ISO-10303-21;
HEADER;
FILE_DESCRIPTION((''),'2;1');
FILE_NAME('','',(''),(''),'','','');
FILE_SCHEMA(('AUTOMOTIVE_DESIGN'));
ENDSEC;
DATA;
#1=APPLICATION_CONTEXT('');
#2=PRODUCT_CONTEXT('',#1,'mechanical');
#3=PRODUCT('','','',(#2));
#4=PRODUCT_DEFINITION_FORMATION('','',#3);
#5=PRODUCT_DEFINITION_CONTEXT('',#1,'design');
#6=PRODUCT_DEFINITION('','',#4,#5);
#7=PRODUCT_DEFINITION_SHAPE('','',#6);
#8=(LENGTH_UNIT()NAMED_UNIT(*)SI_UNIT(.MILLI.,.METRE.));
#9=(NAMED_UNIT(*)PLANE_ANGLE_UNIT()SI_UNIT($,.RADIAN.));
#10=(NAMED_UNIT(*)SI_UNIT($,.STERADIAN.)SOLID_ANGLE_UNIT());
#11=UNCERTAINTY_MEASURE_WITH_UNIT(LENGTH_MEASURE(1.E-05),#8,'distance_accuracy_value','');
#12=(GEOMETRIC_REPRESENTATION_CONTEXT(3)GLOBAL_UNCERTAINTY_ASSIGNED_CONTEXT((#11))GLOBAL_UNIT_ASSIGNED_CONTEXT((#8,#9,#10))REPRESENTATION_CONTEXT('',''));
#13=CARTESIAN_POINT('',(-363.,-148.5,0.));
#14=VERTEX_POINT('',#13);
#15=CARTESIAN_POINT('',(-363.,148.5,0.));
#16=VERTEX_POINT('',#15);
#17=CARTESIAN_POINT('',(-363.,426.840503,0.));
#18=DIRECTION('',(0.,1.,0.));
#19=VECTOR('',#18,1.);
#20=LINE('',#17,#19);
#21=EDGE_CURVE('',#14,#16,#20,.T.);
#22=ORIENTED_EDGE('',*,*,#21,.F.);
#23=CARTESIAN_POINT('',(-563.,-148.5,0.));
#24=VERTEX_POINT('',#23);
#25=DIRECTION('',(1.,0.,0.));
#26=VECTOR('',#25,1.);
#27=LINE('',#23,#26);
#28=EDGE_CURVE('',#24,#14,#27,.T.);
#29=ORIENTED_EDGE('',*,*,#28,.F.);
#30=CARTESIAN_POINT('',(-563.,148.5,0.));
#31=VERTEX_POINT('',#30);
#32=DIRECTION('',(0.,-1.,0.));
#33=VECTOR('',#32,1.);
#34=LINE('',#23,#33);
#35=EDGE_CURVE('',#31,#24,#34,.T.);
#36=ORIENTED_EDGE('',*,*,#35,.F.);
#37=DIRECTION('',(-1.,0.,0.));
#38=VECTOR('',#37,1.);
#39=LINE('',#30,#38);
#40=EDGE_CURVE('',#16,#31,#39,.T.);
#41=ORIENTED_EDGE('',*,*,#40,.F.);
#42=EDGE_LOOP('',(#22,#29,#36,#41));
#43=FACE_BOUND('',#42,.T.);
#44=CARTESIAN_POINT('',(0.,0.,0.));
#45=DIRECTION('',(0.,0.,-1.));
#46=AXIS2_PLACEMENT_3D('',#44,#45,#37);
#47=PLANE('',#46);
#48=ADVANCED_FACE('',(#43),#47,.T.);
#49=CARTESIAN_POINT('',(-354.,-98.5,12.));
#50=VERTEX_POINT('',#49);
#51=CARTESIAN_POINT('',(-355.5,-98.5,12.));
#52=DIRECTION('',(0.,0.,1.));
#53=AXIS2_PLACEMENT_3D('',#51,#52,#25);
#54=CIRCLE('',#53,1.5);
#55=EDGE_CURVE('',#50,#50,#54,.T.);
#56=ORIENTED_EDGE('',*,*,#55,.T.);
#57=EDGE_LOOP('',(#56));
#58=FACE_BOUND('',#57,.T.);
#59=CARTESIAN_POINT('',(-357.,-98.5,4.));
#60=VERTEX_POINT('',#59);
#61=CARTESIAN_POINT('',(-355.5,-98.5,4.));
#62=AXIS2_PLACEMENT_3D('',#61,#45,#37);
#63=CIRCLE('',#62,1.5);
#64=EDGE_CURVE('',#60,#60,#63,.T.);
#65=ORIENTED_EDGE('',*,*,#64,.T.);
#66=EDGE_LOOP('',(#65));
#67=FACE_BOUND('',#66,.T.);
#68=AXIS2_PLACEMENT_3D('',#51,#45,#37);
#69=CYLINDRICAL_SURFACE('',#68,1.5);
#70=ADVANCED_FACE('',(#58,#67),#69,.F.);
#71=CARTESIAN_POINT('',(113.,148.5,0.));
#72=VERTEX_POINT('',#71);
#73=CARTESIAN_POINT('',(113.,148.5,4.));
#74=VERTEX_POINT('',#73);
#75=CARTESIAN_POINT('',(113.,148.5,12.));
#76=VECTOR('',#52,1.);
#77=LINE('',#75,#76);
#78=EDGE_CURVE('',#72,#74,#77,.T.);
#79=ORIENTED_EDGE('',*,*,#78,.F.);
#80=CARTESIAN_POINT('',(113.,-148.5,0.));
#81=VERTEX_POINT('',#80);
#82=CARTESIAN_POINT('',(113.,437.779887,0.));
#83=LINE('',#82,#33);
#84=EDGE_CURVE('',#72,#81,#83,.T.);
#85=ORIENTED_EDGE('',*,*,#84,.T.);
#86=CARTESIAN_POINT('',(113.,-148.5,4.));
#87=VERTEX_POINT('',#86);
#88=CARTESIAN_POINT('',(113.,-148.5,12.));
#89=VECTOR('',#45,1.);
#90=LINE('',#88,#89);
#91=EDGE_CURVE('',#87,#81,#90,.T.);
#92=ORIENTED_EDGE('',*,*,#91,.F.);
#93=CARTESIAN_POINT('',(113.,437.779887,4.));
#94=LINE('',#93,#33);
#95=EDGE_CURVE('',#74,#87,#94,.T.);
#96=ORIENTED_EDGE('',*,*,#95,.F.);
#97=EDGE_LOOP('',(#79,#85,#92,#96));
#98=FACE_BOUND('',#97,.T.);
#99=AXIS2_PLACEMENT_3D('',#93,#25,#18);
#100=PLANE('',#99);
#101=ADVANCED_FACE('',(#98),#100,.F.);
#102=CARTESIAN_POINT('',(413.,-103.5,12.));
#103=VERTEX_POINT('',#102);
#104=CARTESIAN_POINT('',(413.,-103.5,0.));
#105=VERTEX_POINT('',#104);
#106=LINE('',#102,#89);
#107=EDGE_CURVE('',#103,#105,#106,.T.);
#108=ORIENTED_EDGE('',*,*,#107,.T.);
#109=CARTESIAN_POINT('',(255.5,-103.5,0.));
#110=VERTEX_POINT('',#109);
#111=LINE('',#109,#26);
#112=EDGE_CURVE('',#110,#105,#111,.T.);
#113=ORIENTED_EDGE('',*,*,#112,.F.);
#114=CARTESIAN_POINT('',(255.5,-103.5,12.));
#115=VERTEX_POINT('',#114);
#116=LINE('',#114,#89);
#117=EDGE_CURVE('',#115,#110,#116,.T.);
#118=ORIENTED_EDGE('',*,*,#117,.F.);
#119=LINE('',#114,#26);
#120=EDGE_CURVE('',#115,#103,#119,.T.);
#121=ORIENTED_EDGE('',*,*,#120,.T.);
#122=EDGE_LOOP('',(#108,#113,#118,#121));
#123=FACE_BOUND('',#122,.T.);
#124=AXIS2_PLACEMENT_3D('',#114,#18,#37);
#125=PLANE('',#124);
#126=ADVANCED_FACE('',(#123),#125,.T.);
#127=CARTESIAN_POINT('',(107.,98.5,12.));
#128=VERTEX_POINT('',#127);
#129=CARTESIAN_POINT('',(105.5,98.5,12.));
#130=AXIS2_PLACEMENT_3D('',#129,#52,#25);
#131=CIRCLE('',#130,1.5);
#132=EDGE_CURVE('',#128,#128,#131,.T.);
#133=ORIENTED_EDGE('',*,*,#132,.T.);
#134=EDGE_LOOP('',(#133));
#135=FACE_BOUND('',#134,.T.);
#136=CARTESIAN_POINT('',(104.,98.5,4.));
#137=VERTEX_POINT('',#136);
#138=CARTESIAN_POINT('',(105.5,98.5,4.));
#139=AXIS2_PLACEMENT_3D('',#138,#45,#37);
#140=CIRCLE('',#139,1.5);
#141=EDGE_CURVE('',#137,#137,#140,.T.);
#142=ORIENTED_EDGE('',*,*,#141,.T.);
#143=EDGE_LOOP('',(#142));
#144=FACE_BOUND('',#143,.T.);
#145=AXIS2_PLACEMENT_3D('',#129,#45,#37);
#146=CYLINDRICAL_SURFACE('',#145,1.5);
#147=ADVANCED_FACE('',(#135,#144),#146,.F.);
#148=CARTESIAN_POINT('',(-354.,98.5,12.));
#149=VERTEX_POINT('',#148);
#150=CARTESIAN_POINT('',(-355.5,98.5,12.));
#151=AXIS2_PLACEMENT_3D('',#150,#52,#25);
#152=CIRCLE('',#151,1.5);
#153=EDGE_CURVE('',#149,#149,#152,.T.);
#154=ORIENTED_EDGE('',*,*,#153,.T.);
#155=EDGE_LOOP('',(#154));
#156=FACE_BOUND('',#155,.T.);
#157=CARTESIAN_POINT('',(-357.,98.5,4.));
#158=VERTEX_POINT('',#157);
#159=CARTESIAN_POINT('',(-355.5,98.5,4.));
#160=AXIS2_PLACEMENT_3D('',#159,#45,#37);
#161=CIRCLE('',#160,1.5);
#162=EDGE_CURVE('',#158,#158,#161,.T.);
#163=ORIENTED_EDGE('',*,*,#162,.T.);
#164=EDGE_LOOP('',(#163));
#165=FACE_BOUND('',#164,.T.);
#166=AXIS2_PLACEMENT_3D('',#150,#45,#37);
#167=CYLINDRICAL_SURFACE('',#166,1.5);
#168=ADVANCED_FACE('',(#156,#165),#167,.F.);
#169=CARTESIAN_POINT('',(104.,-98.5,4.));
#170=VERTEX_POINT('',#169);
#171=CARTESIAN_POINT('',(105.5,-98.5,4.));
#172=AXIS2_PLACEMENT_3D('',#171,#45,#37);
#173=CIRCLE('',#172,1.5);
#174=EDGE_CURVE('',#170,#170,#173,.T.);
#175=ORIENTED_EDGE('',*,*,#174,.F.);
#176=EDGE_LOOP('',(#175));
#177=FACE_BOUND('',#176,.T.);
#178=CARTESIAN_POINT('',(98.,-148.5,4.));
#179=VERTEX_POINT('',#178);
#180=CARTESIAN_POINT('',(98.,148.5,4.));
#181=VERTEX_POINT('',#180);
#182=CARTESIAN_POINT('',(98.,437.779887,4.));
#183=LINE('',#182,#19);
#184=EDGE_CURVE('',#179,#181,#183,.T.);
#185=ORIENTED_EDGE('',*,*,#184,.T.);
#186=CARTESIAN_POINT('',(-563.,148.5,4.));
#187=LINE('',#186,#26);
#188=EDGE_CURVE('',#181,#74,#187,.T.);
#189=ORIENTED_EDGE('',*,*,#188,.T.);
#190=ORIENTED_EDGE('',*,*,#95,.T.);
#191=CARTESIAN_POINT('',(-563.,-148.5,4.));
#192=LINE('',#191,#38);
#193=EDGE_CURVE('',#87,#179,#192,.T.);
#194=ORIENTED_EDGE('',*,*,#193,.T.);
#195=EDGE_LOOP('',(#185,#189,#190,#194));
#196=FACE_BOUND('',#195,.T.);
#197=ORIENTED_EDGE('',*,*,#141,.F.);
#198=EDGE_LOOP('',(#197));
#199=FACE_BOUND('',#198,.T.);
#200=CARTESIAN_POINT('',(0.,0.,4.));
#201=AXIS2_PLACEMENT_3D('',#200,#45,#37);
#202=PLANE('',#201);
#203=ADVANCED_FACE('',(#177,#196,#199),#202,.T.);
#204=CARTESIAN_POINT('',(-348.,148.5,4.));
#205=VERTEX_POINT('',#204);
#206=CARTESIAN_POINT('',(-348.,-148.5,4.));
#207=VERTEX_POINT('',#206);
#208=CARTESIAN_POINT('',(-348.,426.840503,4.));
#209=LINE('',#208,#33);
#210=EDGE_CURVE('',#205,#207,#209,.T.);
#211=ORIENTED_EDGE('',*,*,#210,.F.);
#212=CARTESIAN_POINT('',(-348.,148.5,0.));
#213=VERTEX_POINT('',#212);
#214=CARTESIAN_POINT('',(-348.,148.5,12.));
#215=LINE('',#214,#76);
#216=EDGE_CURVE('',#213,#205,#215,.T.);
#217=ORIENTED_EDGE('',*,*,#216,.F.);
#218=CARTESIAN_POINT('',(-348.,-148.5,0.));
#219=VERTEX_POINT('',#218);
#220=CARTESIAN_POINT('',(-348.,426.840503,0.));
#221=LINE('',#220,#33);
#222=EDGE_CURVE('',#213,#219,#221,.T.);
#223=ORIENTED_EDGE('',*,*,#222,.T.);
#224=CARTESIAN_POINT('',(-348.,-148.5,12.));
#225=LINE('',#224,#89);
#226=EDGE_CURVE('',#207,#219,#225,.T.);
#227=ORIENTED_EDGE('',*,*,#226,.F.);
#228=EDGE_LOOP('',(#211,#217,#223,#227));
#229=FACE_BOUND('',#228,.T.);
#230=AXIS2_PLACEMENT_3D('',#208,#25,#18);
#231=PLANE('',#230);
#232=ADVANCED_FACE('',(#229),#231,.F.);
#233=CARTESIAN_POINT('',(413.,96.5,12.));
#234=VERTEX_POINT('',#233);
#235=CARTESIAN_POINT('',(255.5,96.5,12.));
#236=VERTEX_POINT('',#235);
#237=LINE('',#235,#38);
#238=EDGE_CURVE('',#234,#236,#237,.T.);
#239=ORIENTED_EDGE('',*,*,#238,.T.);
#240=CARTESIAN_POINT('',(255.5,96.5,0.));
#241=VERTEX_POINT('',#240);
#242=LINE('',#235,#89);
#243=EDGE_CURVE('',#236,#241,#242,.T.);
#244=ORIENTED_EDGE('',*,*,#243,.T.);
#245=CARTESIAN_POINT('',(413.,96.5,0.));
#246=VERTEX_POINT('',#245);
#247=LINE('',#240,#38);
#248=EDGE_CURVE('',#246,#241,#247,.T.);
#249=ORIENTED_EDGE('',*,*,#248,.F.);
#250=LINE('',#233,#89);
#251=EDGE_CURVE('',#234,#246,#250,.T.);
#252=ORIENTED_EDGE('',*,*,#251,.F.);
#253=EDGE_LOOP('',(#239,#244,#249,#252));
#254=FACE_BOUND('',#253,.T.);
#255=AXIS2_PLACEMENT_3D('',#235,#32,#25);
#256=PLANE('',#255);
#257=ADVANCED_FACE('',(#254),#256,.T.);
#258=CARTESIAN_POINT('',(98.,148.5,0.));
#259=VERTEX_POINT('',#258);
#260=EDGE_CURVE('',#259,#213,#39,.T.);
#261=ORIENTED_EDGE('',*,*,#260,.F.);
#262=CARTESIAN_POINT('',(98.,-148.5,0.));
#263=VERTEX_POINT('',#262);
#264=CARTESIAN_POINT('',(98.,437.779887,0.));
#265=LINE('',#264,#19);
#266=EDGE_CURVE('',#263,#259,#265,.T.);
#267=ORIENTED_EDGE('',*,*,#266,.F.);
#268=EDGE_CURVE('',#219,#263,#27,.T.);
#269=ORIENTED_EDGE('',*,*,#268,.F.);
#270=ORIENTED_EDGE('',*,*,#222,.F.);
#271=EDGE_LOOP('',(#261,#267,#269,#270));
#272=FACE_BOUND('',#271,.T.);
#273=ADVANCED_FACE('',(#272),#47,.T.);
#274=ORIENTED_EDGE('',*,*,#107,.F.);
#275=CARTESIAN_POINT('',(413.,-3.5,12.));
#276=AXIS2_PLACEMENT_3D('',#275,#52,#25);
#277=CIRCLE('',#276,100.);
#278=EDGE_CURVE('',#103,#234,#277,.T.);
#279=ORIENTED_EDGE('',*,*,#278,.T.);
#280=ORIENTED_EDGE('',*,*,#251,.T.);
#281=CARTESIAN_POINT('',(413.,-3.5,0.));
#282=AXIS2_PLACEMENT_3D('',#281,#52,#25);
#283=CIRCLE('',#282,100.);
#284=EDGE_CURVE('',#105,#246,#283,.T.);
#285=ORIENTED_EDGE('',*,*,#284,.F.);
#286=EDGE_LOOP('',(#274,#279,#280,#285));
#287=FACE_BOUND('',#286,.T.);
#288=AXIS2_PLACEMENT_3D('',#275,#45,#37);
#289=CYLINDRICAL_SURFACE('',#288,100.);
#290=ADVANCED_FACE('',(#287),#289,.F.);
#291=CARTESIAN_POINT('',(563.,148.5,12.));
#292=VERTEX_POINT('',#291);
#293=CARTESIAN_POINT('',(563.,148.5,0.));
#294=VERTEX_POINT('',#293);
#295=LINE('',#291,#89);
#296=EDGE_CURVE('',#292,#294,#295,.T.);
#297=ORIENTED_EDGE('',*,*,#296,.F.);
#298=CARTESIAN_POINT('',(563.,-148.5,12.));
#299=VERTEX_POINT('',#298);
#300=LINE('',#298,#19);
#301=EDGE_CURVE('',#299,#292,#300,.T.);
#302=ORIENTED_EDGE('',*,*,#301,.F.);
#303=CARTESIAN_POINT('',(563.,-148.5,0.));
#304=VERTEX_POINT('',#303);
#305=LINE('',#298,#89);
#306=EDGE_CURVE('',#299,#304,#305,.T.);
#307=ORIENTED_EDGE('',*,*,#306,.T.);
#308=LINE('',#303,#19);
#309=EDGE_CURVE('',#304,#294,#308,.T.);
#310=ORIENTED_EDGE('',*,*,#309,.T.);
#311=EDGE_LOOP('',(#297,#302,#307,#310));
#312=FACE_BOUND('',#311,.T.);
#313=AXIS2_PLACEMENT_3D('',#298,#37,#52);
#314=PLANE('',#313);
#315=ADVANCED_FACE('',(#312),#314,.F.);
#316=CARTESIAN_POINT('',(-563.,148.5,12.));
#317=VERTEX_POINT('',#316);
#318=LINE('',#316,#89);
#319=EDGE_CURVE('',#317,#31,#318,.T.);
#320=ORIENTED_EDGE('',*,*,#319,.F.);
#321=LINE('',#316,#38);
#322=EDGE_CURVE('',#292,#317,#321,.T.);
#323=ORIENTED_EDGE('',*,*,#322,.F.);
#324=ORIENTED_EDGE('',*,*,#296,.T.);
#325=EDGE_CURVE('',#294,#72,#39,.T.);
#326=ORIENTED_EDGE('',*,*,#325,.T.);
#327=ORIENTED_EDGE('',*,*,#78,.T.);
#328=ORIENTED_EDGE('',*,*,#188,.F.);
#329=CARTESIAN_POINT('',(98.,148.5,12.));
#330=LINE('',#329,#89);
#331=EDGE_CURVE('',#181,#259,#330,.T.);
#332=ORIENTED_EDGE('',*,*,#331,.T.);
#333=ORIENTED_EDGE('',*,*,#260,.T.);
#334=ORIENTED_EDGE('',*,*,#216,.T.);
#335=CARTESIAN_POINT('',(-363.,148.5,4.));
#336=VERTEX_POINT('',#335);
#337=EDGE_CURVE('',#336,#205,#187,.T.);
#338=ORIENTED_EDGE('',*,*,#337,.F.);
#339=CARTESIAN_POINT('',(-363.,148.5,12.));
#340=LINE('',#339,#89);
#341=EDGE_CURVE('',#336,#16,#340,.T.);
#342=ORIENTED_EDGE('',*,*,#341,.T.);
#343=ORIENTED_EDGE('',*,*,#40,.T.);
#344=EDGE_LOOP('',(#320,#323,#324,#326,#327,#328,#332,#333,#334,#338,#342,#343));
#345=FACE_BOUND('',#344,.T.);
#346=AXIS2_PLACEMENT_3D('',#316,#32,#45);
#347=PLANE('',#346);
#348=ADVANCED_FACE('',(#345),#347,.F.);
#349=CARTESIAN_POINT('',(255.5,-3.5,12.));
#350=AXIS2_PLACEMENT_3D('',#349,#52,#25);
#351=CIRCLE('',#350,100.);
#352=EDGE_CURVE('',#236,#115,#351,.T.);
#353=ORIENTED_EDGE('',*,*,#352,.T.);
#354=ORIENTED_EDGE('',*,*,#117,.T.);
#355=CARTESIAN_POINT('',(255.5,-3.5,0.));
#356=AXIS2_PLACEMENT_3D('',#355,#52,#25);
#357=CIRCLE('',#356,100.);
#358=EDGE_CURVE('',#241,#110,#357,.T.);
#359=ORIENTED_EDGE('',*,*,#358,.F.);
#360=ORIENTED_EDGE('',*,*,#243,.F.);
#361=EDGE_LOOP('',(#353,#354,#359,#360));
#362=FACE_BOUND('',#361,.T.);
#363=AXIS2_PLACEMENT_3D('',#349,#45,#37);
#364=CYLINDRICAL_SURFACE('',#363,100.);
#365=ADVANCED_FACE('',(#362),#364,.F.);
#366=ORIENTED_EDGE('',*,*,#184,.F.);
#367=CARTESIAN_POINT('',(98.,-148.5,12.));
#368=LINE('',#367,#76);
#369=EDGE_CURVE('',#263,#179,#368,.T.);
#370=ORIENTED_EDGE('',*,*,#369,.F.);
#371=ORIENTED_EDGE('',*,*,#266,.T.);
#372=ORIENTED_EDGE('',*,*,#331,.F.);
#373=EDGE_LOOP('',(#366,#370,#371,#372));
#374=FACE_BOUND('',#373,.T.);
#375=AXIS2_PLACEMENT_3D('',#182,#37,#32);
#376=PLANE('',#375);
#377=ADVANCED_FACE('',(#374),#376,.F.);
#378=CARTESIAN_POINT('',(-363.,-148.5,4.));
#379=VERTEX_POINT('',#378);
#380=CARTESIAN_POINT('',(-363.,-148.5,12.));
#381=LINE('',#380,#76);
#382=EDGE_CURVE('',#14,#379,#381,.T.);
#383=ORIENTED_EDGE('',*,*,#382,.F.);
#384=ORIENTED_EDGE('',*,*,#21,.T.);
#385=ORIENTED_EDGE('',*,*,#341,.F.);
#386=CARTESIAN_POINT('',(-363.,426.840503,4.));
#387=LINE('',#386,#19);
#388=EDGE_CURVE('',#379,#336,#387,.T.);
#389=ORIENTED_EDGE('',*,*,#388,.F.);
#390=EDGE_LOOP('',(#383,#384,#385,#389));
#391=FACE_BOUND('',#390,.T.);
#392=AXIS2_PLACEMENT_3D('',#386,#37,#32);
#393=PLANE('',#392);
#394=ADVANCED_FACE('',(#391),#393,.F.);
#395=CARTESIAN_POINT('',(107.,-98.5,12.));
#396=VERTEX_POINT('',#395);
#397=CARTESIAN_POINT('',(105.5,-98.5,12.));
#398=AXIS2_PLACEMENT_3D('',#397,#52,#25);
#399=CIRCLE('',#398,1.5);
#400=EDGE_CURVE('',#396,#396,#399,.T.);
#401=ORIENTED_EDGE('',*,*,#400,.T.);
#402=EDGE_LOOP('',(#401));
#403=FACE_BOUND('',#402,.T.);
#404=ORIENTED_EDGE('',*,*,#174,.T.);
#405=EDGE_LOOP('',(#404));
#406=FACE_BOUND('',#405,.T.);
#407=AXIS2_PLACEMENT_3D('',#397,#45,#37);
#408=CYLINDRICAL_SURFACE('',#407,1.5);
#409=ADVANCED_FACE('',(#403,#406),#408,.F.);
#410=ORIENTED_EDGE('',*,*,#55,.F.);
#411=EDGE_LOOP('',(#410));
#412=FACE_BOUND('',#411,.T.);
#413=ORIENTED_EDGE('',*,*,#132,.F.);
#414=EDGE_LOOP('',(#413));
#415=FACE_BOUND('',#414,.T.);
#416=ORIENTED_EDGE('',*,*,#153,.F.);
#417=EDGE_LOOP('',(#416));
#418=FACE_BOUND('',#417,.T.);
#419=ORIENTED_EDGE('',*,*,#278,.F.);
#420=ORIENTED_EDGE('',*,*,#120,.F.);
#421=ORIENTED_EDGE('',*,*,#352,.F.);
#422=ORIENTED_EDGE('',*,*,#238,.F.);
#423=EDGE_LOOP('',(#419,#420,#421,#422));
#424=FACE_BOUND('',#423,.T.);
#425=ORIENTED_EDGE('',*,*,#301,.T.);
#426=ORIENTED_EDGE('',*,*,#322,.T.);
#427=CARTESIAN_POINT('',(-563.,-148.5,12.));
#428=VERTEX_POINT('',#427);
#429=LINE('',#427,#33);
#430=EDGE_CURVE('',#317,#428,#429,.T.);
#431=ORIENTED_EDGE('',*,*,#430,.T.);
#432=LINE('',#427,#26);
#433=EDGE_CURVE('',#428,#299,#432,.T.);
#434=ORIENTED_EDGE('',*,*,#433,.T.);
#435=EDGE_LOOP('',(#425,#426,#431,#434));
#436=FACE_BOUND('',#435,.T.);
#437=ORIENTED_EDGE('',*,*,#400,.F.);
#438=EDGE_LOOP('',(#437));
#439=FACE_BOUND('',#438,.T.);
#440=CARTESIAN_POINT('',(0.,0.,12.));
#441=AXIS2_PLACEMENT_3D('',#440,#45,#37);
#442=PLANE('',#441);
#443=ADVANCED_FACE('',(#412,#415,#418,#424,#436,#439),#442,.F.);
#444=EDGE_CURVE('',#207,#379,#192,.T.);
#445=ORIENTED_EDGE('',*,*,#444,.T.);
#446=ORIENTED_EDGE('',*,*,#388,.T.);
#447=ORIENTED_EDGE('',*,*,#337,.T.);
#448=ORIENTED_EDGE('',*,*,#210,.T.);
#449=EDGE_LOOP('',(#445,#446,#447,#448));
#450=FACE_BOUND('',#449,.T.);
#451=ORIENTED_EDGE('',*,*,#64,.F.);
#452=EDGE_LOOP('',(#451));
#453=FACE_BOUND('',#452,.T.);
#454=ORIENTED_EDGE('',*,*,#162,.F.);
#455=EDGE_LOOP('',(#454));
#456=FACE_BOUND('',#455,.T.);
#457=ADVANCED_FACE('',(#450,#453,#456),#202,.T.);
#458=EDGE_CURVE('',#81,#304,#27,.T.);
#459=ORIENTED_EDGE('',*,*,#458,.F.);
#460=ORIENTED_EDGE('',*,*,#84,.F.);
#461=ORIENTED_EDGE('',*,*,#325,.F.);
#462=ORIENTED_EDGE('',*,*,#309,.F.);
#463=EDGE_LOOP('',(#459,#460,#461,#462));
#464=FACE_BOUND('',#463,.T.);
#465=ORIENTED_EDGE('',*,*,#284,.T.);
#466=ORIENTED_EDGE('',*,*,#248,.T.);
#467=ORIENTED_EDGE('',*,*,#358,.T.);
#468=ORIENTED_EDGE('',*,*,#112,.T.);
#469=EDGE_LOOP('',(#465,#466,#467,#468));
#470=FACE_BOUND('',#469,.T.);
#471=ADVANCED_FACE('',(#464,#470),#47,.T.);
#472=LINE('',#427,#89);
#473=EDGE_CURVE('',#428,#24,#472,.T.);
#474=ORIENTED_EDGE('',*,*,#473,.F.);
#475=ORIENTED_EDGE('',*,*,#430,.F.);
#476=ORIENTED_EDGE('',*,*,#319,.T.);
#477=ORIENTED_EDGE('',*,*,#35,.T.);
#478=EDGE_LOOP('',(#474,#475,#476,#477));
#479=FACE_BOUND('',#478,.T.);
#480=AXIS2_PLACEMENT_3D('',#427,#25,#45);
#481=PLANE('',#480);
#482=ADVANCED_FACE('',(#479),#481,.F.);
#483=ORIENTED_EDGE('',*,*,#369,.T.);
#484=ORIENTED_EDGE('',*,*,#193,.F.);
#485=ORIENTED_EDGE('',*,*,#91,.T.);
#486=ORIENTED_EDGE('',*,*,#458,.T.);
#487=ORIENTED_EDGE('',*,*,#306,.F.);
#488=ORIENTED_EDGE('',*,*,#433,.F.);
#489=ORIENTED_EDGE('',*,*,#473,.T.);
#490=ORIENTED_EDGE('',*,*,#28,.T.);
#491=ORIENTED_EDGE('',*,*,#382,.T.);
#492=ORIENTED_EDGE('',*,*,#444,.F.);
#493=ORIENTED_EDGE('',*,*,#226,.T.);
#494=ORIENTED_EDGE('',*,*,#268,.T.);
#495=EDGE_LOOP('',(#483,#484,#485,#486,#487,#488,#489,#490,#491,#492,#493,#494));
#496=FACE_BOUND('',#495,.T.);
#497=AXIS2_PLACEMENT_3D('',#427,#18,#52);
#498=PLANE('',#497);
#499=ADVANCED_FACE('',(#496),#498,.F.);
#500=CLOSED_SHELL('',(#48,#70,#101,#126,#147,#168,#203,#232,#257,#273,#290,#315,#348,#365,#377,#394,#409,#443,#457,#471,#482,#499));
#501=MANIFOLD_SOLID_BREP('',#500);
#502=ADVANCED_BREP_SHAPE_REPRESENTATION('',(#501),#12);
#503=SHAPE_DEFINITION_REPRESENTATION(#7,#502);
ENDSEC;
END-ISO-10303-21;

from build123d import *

# Parameters (mm, degrees)
ESQUISSE1_W             = 1126
ESQUISSE1_H             = 297
ESQUISSE1_R             = 1.5
BOSS_EXTRU_1_DEPTH      = 12
ESQUISSE2_W             = 15
ESQUISSE2_H             = 678.559774038
ESQUISSE2_H_2           = 656.681006804
ENL_V_MAT_EXTRU_1_DEPTH = 4


with BuildPart() as part:
    # Esquisse1 → Boss.-Extru.1 (new body)
    with BuildSketch(Plane.XY):
        Rectangle(ESQUISSE1_W, ESQUISSE1_H)
        with Locations((105.5, 98.5)):
            Circle(ESQUISSE1_R, mode=Mode.SUBTRACT)
        with Locations((105.5, -98.5)):
            Circle(ESQUISSE1_R, mode=Mode.SUBTRACT)
        with Locations((-355.5, 98.5)):
            Circle(ESQUISSE1_R, mode=Mode.SUBTRACT)
        with Locations((-355.5, -98.5)):
            Circle(ESQUISSE1_R, mode=Mode.SUBTRACT)
        with BuildLine():
            Line((255.5, 96.5), (413, 96.5))
            ThreePointArc((413, 96.5), (513, -3.5), (413, -103.5))
            Line((413, -103.5), (255.5, -103.5))
            ThreePointArc((255.5, -103.5), (155.5, -3.5), (255.5, 96.5))
        make_face(mode=Mode.SUBTRACT)
    extrude(amount=BOSS_EXTRU_1_DEPTH)

    # Esquisse2 → Enlèv. mat.-Extru.1 (cut)
    with BuildSketch(Plane(origin=(0, 0, 0), x_dir=(-1, 0, 0), z_dir=(0, 0, -1))):
        with Locations((-105.5, 98.5)):
            Rectangle(ESQUISSE2_W, ESQUISSE2_H)
        with Locations((355.5, 98.5)):
            Rectangle(ESQUISSE2_W, ESQUISSE2_H_2)
    extrude(amount=-ENL_V_MAT_EXTRU_1_DEPTH, mode=Mode.SUBTRACT)


solid = part.part
